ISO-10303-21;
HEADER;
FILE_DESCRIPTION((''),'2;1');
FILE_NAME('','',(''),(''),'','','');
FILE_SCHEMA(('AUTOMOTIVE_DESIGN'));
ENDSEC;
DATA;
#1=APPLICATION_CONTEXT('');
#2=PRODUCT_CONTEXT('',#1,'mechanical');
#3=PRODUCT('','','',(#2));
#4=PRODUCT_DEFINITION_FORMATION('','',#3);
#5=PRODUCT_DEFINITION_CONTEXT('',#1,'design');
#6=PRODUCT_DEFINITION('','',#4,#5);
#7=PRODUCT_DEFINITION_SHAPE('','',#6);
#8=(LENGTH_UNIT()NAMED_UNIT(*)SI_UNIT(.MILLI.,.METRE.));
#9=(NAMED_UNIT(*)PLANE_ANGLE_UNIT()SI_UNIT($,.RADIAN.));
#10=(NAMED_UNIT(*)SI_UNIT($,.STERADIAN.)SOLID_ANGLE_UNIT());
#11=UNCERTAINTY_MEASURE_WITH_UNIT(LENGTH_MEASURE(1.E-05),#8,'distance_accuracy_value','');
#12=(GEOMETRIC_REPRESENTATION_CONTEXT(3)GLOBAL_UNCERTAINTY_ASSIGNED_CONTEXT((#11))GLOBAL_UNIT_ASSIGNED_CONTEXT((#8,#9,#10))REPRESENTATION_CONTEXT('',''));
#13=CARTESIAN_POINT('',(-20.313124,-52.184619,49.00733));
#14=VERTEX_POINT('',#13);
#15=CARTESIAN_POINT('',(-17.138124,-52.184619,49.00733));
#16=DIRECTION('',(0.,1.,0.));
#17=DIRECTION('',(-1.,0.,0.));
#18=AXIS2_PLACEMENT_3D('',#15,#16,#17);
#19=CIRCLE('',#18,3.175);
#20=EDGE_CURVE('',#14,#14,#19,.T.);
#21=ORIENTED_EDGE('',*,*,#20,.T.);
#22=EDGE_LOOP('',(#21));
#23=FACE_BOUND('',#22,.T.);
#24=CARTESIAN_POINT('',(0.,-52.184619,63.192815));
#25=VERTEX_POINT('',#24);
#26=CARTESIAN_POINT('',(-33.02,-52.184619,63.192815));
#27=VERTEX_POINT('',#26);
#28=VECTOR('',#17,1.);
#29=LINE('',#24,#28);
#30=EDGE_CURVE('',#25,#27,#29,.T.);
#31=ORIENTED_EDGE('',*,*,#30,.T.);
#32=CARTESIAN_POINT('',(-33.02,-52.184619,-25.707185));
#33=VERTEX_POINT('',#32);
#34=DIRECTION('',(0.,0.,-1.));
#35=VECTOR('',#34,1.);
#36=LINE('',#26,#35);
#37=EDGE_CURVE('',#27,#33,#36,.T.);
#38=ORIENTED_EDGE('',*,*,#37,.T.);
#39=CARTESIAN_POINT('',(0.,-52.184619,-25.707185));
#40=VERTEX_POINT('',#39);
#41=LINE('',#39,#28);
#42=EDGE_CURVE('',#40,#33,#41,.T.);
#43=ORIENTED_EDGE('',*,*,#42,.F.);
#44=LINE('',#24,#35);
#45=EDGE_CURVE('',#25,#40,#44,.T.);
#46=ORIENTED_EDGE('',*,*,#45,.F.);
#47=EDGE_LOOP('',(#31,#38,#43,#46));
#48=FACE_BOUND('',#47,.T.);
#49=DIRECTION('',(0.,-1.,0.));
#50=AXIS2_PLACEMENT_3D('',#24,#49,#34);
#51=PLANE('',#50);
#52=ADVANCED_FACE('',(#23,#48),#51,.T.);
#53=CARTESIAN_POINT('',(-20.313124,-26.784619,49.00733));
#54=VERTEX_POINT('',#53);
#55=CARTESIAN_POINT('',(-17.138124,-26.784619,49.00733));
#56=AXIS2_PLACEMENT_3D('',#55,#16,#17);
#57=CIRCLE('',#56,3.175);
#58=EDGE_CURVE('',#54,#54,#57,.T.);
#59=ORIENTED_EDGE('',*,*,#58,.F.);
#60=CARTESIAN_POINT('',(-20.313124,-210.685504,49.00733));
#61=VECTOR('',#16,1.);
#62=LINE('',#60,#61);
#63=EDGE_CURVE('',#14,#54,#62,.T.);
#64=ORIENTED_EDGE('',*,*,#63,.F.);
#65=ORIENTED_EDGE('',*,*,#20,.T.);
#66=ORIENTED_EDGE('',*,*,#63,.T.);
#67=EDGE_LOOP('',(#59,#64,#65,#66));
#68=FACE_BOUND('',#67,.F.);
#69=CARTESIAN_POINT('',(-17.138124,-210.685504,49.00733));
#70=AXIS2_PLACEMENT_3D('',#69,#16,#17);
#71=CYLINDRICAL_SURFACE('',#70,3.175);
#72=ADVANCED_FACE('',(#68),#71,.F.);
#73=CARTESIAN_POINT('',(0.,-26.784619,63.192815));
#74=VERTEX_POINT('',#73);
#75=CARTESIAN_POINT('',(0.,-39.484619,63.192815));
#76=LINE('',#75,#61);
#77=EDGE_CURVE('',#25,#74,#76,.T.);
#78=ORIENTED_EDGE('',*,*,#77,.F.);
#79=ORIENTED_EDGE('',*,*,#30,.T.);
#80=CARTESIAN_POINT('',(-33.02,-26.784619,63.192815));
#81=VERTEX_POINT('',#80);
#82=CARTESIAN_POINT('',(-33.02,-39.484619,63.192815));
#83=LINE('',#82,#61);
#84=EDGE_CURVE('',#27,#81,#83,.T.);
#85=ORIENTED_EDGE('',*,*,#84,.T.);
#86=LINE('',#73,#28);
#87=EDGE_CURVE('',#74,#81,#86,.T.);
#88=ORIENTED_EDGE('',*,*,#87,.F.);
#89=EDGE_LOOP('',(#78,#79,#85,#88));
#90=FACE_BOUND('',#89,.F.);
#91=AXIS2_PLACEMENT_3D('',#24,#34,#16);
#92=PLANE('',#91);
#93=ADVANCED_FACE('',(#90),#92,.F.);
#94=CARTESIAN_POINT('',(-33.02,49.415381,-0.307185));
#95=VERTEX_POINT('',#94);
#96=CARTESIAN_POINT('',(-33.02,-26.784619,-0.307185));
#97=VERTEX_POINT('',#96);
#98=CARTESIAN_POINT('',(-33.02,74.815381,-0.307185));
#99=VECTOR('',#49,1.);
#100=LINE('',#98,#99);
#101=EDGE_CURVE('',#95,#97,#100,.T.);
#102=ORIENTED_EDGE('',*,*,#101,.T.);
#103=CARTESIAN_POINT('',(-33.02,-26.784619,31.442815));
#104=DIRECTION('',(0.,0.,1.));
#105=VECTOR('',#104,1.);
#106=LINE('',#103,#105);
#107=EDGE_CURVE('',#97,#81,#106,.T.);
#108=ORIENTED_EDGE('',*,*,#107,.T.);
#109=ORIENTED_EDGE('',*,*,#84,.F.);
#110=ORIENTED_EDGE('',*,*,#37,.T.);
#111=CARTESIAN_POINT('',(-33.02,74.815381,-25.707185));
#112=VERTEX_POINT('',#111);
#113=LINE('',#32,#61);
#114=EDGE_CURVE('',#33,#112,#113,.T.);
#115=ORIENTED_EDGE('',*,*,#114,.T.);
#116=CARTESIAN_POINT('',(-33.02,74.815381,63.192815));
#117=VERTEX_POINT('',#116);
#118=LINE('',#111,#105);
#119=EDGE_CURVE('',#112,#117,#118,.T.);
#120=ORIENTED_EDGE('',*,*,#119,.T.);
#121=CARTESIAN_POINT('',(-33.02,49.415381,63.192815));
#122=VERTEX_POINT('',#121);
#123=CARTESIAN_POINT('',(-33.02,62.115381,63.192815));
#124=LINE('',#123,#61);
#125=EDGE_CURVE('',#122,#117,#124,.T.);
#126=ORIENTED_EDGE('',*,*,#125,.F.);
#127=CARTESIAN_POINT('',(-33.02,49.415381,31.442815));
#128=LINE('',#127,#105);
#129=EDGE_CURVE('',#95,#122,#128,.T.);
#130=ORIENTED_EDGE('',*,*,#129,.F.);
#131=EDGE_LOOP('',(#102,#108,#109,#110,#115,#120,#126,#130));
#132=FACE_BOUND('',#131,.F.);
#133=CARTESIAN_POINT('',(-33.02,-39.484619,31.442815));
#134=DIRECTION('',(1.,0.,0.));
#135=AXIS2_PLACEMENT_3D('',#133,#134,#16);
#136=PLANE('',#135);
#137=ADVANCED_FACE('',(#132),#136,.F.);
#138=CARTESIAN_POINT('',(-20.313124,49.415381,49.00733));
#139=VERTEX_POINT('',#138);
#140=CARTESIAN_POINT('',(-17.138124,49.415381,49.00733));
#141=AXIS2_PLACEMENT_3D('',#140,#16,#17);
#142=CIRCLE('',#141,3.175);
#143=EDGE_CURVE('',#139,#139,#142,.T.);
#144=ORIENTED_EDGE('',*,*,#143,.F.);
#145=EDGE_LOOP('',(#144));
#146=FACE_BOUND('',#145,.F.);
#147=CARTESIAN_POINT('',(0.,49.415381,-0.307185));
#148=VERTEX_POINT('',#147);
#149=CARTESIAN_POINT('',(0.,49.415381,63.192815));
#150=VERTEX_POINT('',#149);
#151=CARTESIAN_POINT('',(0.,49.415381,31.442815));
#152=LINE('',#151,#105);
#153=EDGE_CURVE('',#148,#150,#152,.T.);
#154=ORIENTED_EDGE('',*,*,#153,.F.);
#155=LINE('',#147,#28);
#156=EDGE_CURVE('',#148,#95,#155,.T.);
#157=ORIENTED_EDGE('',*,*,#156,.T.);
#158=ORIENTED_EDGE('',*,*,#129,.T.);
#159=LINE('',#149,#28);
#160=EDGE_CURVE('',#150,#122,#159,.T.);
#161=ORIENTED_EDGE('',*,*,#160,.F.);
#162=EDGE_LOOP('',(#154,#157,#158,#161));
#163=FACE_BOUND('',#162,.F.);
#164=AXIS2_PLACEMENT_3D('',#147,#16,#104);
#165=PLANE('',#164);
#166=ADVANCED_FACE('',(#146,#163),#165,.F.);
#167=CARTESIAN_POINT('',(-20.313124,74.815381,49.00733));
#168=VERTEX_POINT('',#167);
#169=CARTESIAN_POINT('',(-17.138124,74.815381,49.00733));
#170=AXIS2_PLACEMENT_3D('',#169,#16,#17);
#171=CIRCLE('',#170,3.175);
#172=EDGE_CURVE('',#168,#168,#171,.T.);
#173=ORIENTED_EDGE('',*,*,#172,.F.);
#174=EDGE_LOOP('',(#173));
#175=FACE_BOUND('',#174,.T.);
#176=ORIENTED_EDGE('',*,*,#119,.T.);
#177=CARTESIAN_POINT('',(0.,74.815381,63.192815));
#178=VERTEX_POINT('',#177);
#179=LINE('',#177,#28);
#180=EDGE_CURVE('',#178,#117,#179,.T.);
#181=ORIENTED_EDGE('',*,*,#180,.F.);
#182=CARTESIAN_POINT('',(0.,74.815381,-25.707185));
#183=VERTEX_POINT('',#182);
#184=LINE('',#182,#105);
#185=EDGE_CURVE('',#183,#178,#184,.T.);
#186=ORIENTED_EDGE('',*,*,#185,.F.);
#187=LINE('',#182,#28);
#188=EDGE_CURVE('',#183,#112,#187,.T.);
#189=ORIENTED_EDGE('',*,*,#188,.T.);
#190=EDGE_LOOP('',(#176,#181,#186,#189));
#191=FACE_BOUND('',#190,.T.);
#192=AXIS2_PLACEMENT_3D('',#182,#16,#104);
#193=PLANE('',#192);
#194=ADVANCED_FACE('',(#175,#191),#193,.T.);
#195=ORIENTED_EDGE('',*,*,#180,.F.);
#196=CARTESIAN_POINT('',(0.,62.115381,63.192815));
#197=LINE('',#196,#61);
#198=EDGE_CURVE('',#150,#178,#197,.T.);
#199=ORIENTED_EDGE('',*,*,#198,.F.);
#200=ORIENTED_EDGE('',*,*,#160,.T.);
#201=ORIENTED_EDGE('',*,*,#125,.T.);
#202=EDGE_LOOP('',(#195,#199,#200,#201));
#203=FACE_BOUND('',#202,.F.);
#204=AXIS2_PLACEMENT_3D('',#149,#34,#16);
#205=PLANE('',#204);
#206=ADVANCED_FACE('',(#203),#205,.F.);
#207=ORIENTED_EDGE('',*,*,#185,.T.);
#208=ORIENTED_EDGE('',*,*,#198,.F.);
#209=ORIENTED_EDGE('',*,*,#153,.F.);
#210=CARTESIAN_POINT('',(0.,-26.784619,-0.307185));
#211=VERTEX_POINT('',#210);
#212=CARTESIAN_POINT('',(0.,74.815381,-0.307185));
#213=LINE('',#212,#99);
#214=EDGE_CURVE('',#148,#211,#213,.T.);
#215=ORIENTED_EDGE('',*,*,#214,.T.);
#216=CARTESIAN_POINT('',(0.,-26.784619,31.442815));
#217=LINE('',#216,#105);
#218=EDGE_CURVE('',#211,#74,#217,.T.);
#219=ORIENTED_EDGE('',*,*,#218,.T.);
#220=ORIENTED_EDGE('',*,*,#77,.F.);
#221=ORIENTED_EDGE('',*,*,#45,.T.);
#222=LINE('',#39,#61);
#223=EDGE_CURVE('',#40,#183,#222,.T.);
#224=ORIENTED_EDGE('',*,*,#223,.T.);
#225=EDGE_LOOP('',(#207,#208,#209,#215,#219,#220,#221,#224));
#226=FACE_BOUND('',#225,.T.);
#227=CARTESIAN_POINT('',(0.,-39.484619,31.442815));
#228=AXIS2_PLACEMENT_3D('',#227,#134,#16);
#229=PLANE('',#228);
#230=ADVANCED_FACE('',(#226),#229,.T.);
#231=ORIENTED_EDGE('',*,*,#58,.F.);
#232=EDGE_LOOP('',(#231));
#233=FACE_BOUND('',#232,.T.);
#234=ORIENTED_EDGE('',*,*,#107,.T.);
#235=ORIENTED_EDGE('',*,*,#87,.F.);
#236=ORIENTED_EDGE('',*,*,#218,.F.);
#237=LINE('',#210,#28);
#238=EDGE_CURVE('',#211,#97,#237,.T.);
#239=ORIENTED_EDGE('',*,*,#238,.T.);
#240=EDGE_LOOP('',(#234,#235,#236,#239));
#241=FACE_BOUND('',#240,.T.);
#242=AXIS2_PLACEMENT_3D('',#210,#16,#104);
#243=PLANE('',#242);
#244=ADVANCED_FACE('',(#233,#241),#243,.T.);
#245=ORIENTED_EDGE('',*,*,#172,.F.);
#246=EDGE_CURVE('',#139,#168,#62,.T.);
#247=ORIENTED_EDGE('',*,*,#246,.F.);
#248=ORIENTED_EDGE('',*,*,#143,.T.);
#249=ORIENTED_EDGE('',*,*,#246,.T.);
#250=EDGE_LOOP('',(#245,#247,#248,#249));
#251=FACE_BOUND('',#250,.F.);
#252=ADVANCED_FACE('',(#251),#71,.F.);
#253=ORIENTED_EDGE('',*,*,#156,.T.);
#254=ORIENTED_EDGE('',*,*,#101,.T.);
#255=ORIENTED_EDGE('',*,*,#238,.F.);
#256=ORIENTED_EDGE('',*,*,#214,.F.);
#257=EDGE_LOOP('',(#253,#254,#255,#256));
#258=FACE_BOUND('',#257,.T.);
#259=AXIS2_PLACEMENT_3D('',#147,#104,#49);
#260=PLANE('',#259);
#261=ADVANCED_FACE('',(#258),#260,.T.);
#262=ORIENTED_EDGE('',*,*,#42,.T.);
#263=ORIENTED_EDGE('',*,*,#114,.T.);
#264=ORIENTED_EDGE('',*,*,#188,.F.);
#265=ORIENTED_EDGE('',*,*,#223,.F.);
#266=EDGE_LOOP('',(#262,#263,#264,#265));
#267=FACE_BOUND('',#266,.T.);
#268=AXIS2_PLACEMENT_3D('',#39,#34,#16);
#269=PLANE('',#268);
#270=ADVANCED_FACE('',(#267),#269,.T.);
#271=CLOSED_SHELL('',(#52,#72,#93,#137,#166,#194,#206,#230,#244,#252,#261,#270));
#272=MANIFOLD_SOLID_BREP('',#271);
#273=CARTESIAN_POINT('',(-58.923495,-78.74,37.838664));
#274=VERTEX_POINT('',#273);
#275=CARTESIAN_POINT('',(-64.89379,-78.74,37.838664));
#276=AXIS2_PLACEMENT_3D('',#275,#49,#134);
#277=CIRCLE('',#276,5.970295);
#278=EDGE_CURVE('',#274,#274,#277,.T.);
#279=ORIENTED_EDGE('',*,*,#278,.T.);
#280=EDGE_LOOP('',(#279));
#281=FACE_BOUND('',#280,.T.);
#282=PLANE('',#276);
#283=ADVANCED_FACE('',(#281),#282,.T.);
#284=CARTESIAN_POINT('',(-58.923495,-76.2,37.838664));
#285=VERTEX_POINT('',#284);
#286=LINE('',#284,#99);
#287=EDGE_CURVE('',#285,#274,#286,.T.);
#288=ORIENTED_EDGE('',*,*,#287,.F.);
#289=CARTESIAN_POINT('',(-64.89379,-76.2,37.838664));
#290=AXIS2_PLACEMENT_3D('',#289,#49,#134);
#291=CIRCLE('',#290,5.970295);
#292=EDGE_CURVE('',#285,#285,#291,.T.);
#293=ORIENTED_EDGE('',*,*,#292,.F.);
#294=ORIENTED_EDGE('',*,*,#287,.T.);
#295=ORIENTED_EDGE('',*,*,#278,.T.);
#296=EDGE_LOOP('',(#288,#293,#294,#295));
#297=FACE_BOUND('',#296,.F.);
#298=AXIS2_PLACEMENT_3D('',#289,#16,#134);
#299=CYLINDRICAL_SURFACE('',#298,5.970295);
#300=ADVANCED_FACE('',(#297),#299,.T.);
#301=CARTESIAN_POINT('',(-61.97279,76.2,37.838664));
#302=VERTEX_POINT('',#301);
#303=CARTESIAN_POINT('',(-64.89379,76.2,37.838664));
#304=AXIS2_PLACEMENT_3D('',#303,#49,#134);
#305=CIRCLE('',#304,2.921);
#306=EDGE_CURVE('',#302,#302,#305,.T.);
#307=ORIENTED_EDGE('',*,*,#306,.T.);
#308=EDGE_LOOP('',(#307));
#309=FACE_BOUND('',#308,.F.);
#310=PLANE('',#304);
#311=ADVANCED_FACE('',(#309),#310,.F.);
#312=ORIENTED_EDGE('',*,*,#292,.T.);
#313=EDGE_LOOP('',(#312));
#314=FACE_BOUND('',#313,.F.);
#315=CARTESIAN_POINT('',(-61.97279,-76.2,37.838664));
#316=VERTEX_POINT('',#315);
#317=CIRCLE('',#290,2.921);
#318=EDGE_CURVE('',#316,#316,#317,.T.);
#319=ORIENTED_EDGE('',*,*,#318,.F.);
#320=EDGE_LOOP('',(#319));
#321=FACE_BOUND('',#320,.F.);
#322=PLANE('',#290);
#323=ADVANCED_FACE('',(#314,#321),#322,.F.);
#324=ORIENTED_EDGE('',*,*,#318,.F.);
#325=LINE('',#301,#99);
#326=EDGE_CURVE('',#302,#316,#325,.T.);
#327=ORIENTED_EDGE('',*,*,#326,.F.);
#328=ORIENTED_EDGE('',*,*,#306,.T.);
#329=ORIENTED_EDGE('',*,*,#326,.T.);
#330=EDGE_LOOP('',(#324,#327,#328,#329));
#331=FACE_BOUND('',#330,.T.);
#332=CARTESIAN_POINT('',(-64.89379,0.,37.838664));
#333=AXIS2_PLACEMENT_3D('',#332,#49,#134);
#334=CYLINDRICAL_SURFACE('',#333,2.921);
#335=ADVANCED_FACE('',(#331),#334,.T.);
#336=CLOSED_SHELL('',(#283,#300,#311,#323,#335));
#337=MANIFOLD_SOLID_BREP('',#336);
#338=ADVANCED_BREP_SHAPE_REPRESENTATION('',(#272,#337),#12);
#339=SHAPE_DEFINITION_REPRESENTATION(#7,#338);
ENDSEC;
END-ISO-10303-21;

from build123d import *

# Parameters (mm, degrees)
F0_W          = 25.4
F0_H          = 63.5
F1_DEPTH      = 33.02
F3_D          = 6.35
F4_R          = 2.921
F5_DEPTH      = 76.2
F5_DEPTH_BACK = 76.2
F6_R          = 5.970295
F6_R_2        = 2.921
F7_DEPTH      = 2.54


with BuildPart() as f1:
    # F0 (on Right) → F1 (new body)
    with BuildSketch(Plane.YZ):
        with Locations((-39.484619, 31.442815)):
            Rectangle(F0_W, F0_H)
        Polygon((-26.784619, -0.307185), (-52.184619, -0.307185), (-52.184619, -25.707185), (74.815381, -25.707185), (74.815381, -0.307185), (49.415381, -0.307185), align=None)
        with Locations((62.115381, 31.442815)):
            Rectangle(F0_W, F0_H)
    extrude(amount=-F1_DEPTH)

    # F3 (through all)
    with Locations(Plane.XZ.offset(52.184619)):
        with Locations((-17.138124, 49.00733)):
            Hole(F3_D / 2)


with BuildPart() as f5:
    # F4 (on Front) → F5 (new body, two sides)
    with BuildSketch(Plane.XZ) as f5_sk:
        with Locations((-64.89379, 37.838664)):
            Circle(F4_R)
    extrude(amount=F5_DEPTH)
    extrude(f5_sk.sketch, amount=-F5_DEPTH_BACK)

    # F6 (on face) → F7 (join)
    with BuildSketch(Plane.XZ.offset(76.2)):
        with Locations((-64.89379, 37.838664)):
            Circle(F6_R)
        with Locations((-64.89379, 37.838664)):
            Circle(F6_R_2, mode=Mode.SUBTRACT)
        with Locations((-64.89379, 37.838664)):
            Circle(F6_R_2)
    extrude(amount=F7_DEPTH)


solid = Compound([f1.part, f5.part])
